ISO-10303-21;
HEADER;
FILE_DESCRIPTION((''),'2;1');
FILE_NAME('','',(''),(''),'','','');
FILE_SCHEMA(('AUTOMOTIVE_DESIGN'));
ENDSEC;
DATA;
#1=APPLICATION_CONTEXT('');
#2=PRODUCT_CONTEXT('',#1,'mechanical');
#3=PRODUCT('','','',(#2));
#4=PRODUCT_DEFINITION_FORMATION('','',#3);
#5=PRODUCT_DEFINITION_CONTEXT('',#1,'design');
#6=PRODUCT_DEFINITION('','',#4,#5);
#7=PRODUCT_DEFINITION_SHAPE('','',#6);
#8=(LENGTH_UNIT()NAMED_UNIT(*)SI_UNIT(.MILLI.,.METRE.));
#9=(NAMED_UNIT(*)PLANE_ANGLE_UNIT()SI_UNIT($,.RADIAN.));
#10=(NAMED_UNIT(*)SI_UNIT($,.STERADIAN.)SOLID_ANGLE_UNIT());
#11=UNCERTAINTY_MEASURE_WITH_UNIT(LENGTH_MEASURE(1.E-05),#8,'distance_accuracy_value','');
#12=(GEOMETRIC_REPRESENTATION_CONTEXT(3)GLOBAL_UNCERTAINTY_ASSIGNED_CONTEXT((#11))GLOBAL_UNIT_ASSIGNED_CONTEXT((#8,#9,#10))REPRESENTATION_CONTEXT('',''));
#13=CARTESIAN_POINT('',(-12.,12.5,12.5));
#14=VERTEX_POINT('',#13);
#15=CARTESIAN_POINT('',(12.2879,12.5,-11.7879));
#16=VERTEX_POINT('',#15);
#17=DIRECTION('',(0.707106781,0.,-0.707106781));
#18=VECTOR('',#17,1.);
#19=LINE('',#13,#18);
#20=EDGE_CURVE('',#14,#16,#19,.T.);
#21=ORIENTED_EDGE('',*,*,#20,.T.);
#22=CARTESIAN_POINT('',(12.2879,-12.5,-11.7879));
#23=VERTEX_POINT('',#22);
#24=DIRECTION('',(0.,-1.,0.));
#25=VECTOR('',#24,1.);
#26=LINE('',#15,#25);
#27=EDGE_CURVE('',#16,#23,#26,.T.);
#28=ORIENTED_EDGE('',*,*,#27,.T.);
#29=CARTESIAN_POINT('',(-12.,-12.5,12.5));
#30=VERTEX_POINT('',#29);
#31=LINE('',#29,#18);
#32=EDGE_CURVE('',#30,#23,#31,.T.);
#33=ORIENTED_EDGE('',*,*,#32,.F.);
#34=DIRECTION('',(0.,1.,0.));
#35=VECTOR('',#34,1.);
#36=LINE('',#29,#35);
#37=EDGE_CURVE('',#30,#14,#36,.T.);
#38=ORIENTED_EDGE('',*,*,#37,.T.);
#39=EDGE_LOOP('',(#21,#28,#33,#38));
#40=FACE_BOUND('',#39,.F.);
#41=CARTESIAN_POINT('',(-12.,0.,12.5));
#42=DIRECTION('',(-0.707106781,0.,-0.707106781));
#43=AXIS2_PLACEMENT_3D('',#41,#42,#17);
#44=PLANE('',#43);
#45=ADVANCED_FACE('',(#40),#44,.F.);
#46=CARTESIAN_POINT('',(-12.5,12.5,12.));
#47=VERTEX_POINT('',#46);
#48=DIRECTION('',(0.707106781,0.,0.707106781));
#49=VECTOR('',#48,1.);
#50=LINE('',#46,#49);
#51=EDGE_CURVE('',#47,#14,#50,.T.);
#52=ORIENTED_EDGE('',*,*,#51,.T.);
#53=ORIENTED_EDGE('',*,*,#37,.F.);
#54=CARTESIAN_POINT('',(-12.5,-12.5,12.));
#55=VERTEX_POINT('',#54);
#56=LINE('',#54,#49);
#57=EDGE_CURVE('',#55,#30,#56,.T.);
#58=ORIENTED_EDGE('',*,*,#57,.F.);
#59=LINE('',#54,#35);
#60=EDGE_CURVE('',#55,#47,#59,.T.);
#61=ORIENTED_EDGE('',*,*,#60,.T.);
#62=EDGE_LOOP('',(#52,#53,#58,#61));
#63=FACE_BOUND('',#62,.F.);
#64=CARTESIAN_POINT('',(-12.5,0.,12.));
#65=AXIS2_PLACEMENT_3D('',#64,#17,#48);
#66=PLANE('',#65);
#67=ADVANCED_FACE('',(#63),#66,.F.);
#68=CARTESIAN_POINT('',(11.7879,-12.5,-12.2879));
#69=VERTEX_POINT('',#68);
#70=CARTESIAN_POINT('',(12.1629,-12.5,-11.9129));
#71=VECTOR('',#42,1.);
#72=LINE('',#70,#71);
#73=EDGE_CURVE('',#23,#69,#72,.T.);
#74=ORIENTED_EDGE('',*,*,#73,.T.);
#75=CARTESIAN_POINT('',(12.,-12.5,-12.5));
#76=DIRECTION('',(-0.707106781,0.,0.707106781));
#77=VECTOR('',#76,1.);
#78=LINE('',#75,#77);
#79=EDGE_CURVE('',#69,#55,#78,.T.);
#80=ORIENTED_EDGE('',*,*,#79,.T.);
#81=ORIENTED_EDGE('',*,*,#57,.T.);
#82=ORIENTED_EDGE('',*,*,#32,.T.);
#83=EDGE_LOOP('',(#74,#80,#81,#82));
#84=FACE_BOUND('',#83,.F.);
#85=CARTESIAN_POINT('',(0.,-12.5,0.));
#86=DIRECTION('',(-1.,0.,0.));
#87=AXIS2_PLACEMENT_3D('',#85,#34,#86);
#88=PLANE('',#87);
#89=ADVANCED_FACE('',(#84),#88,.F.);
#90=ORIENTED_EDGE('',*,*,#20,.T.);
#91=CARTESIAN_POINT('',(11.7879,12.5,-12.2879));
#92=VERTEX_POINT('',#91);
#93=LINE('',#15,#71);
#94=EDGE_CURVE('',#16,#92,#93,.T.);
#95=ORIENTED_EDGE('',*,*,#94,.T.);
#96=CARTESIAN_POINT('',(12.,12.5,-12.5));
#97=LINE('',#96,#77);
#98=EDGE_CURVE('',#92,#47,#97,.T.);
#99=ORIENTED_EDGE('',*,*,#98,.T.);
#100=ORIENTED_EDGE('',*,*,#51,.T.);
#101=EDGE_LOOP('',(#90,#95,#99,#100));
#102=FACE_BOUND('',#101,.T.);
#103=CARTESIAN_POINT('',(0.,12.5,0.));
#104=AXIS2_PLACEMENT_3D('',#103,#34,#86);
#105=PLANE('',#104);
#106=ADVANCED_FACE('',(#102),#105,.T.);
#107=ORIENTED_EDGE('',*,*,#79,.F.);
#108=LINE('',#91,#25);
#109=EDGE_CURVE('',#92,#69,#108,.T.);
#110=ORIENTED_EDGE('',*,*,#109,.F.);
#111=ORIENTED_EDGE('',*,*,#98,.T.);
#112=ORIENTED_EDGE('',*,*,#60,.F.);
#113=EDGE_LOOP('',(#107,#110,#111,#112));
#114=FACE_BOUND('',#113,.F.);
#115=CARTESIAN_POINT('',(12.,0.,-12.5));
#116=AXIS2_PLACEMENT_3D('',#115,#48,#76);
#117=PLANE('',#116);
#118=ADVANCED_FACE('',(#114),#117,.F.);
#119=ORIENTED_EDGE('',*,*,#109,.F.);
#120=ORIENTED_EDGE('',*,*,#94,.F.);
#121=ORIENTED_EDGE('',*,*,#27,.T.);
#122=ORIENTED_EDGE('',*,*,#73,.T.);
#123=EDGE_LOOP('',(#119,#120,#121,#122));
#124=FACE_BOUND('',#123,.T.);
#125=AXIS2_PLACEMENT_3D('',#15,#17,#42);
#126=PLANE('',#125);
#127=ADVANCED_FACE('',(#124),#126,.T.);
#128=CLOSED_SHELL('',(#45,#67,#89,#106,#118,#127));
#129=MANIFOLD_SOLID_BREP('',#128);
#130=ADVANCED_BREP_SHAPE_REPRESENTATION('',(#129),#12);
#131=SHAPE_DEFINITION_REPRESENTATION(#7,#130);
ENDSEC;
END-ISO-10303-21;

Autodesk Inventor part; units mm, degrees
ref_plane "YZ Plane" through (0, 0, 0) normal (1, 0, 0) x (0, 1, 0)
ref_plane "XZ Plane" through (0, 0, 0) normal (0, 1, 0) x (-1, 0, 0)
ref_plane "XY Plane" through (0, 0, 0) normal (0, 0, 1) x (1, 0, 0)
sketch "Sketch1" plane through (0, 0, 0) normal (0, 1, 0) x (-1, 0, 0)
  line L0 (12.5, 12.5) -> (12.5, -12.5)
  line L1 (12.5, -12.5) -> (-12.5, -12.5)
  line L2 (-12.5, -12.5) -> (-12.5, 12.5)
  line L3 (-12.5, 12.5) -> (12.5, 12.5)
  line L4 (12.5, 12.5) -> (-12.5, -12.5) construction
  line L5 (12.5, -12.5) -> (-12.5, 12.5) construction
  line L6 (-12, -12.5) -> (12.5, 12)
  line L7 (12.5, 12) -> (12, 12.5)
  line L8 (12, 12.5) -> (-12.5, -12)
  line L9 (-12.5, -12) -> (-12, -12.5)
  point P0 (0, 0)
  dimension "d0" = 25
  dimension "d1" = 25
  dimension "d2" = 0.5
extrude "Extrusion1" add sketch "Sketch1" along normal mid plane 25 contours L6 L9 L8 L7
sketch "Sketch2" plane through (0, 12.5, 0) normal (0, 1, 0) x (1, 0, 0)
  line L0 (12.5, 12) -> (12, 12.5) projected
  line L1 (12, 12.5) -> (12.5, 12)
  line L2 (12.5, 12) -> (12.2879, 11.7879)
  line L3 (12.2879, 11.7879) -> (11.7879, 12.2879)
  line L4 (11.7879, 12.2879) -> (12, 12.5)
  point P0 (0, 0)
  dimension "d5" = 0.3
extrude "Extrusion2" cut sketch "Sketch2" against normal through all
properties part number "BeamsplitterReflect"
